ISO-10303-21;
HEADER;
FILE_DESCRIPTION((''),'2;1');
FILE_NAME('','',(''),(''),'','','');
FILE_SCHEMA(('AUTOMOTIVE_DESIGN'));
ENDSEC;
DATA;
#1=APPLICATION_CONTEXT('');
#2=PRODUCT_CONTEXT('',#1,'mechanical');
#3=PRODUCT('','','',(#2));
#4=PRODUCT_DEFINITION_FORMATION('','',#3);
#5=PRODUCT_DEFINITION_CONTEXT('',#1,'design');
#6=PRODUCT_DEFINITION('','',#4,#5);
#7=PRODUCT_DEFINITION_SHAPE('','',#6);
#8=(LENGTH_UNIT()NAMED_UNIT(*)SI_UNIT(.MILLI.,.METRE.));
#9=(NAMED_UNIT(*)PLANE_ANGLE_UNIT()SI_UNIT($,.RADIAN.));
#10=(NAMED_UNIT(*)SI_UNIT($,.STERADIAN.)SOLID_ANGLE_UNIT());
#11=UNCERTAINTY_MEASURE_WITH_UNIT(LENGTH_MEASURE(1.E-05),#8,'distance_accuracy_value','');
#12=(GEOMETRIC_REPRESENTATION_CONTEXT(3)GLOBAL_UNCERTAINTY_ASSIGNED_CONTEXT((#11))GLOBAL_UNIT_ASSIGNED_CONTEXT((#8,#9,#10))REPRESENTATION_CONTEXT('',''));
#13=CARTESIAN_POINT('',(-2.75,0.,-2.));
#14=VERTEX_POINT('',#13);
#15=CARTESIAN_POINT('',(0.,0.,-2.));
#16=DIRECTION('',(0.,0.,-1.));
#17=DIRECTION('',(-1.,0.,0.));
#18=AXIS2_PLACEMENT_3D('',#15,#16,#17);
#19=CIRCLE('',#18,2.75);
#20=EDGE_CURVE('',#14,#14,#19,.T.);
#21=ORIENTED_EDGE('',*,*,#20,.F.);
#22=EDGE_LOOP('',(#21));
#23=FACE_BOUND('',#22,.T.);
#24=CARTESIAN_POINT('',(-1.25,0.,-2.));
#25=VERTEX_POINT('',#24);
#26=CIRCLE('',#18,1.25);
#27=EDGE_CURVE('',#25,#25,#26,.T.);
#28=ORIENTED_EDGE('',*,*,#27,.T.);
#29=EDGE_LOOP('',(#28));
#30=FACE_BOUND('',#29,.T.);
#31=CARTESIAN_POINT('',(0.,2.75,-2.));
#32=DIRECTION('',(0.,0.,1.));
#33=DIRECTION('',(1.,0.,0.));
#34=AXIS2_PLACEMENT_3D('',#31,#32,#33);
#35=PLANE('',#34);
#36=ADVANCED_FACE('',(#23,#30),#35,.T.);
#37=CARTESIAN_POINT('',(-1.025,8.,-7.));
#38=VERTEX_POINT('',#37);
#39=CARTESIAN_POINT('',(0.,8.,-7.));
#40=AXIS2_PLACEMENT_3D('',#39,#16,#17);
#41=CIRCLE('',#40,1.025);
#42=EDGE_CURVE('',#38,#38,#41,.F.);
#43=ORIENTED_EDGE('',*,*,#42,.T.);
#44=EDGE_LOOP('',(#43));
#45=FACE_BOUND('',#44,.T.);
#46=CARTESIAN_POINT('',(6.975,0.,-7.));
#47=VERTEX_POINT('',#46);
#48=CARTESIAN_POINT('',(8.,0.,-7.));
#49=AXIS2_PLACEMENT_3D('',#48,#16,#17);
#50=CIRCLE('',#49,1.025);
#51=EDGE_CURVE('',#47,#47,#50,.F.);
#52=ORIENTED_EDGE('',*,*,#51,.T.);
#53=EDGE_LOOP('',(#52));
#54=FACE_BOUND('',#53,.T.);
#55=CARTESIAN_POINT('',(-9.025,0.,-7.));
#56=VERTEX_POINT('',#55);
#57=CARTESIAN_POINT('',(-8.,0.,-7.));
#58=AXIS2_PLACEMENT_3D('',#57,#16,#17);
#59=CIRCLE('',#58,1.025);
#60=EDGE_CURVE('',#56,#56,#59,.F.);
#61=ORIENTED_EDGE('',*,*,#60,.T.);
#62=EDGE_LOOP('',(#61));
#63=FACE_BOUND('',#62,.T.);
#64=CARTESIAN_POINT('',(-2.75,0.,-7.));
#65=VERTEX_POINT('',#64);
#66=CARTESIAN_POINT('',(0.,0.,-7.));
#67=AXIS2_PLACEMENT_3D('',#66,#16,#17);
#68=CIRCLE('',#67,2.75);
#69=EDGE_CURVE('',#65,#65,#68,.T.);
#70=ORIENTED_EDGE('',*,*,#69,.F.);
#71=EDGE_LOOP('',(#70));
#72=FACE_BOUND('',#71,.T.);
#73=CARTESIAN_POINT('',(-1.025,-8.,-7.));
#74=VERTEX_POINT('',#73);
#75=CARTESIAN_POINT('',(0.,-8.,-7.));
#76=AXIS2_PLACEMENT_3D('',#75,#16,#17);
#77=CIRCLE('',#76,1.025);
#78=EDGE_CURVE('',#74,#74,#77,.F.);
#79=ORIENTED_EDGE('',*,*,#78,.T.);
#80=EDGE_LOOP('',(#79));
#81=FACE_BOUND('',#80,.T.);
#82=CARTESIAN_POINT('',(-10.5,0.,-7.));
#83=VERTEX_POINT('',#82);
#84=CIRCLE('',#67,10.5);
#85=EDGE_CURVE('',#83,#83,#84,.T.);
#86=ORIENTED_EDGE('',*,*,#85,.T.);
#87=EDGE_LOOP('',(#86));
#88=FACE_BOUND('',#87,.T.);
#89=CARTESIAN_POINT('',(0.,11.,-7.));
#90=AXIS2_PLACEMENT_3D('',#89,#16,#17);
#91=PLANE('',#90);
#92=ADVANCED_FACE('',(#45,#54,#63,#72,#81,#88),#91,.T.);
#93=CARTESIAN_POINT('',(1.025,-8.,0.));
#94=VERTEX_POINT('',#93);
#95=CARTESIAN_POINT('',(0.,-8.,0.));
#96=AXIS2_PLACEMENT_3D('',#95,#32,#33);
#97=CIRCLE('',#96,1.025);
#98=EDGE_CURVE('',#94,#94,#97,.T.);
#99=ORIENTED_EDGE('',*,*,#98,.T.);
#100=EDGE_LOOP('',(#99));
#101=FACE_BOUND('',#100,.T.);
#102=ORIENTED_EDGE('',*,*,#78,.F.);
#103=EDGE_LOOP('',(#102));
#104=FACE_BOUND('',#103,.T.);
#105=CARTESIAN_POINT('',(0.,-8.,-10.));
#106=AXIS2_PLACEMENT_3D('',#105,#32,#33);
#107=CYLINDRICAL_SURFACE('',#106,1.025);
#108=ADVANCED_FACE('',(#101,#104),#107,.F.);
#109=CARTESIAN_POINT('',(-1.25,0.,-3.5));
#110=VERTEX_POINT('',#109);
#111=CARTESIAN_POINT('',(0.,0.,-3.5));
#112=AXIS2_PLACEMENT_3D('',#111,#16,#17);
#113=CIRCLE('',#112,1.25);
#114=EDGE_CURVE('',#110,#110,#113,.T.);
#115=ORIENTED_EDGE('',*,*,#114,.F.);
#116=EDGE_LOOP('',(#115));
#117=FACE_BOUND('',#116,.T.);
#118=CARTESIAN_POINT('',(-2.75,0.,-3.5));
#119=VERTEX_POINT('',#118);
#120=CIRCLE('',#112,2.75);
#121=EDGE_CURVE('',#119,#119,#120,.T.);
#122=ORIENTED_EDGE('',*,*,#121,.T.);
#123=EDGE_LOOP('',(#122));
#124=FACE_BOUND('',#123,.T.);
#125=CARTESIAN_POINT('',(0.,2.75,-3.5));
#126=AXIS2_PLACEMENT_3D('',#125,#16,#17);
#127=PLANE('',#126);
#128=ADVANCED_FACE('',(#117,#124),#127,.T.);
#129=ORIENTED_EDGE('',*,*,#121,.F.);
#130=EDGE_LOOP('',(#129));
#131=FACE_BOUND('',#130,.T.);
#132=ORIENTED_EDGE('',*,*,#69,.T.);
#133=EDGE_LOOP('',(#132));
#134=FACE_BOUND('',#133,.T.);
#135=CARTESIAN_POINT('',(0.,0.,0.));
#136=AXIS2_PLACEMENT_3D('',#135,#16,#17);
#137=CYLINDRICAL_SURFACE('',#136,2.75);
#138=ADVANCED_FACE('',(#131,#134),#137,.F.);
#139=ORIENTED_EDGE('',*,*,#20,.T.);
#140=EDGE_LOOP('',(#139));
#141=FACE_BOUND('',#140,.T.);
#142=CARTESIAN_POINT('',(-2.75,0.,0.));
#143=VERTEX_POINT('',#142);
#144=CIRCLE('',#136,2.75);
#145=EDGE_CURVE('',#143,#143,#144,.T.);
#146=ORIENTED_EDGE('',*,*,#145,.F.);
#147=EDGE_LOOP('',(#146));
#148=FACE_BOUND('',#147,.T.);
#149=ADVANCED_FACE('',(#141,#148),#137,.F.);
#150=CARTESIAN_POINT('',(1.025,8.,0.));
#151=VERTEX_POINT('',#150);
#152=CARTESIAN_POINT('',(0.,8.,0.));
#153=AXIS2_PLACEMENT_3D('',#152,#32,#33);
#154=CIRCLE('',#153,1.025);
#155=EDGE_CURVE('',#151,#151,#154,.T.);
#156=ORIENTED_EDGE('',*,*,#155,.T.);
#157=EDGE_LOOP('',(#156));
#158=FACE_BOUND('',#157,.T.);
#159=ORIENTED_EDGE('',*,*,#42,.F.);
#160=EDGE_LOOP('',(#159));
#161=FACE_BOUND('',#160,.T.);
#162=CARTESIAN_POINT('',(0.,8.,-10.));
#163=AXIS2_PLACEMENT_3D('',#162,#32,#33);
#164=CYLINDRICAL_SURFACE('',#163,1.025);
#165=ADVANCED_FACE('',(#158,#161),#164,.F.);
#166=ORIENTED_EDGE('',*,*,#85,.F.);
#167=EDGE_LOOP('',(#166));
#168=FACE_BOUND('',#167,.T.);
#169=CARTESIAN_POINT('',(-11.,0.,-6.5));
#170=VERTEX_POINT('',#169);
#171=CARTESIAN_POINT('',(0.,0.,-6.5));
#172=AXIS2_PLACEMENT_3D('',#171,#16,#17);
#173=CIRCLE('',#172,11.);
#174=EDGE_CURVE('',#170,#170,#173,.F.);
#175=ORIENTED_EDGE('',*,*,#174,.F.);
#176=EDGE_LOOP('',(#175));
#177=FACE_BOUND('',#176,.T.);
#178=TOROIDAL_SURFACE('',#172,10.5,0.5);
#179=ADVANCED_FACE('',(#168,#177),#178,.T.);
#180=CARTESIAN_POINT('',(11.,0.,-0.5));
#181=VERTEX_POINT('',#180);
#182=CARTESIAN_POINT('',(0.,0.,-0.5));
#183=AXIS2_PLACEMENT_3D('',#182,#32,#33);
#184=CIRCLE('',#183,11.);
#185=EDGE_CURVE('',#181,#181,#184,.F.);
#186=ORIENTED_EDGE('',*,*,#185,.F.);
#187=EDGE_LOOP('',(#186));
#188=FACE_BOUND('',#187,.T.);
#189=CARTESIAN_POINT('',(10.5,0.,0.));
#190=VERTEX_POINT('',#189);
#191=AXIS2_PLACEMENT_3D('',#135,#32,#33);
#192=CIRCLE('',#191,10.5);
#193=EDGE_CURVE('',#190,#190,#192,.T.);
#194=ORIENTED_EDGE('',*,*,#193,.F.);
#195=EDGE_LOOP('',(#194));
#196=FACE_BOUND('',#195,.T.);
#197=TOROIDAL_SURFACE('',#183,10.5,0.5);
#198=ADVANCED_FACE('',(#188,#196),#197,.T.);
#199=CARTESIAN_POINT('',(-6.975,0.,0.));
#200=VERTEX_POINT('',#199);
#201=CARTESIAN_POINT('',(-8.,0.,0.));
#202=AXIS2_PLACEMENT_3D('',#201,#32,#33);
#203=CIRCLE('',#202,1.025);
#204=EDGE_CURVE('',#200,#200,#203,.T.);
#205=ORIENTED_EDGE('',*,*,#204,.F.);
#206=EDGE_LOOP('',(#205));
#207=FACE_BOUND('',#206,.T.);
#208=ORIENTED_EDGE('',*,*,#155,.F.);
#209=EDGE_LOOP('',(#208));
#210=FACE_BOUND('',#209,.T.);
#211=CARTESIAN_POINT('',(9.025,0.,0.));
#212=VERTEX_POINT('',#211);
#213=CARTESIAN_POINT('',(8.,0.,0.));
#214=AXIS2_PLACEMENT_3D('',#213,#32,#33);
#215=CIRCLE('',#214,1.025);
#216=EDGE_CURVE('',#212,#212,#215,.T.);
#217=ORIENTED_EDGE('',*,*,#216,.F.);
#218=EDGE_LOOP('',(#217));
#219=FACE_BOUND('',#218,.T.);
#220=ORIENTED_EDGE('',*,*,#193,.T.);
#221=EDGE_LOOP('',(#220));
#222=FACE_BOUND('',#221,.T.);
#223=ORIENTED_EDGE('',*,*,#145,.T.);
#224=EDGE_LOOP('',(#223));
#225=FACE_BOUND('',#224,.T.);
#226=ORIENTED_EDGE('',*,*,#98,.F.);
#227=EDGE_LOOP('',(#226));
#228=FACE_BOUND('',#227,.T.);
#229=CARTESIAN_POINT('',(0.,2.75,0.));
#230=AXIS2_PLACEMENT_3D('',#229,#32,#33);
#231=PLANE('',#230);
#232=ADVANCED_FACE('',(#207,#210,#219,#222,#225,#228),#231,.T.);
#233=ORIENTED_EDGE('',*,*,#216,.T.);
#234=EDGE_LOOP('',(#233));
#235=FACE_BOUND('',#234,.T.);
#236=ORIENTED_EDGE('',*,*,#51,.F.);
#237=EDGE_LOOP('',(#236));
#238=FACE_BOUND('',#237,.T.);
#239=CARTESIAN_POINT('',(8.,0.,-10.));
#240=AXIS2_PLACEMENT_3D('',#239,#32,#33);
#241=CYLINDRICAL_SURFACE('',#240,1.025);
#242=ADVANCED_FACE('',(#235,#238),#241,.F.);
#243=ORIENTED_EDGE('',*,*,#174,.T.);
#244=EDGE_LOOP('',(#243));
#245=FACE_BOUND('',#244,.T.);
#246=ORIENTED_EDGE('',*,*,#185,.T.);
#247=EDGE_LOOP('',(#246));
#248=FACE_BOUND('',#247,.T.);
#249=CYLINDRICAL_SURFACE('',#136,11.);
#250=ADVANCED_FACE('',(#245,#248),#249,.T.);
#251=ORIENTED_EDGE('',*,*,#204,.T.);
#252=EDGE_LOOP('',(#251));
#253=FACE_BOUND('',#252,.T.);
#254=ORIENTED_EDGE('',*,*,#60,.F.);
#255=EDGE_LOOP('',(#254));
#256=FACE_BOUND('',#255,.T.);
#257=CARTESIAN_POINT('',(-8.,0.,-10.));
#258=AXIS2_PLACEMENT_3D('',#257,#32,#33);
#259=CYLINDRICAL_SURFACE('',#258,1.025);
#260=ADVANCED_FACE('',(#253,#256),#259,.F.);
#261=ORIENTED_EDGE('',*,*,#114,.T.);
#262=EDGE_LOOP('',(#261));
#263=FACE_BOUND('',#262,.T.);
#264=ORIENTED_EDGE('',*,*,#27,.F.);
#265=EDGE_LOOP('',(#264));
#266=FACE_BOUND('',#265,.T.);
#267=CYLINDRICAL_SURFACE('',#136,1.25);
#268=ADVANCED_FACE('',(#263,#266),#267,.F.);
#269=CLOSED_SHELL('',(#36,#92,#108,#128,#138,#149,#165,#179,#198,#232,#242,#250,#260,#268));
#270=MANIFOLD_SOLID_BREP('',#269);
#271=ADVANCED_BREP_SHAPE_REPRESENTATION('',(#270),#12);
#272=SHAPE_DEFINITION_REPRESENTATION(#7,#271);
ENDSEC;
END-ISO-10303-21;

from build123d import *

# Parameters (mm, degrees)
M2_TAPPED_HOLE1_AT_2_COUNT = 2
M2_TAPPED_HOLE1_AT_2_PITCH = 11.313708499
M2_TAPPED_HOLE1_AT_3_COUNT = 2
M2_TAPPED_HOLE1_AT_3_PITCH = 16
M2_TAPPED_HOLE1_AT_4_COUNT = 2
M2_TAPPED_HOLE1_AT_4_PITCH = 11.313708499
M2_TAPPED_HOLE1_AT_5_COUNT = 2
M2_TAPPED_HOLE1_AT_5_PITCH = 8
RADYUS1_R                  = 0.5
IZIM1_R                    = 1.025
KES_EKSTR_ZYON1_DEPTH      = 10


with BuildPart() as part:
    # Sketch1 → Revolve1 (revolve)
    with BuildSketch(Plane(origin=(0, 0, 0), x_dir=(0, 0, -1), z_dir=(1, 0, 0))):
        Polygon((3.5, 1.25), (2, 1.25), (2, 2.75), (0, 2.75), (0, 11), (7, 11), (7, 2.75), (3.5, 2.75), align=None)
    revolve(axis=Axis((0, 0, 0), (0, 0, 1)))

    # Sketch4 → M2 Tapped Hole1 (revolve, cut)
    with BuildSketch(Plane(origin=(0, 8, 0), x_dir=(0, -1, 0), z_dir=(1, 0, 0))):
        Polygon((0, 0), (0, 7), (1.025, 7), (0.8, 6.870096189), (0.8, 0.129903811), (1.025, 0), align=None)
    m2_tapped_hole1 = revolve(axis=Axis((0, 8, 6.35), (0, 0, -1)), mode=Mode.SUBTRACT)

    # M2 Tapped Hole1 at 2: M2 Tapped Hole1 ×2
    with Locations(*[Vector(0.707106781, -0.707106781, 0) * (i * M2_TAPPED_HOLE1_AT_2_PITCH) for i in range(1, M2_TAPPED_HOLE1_AT_2_COUNT)]):
        add(m2_tapped_hole1, mode=Mode.SUBTRACT)

    # M2 Tapped Hole1 at 3: M2 Tapped Hole1 ×2
    with Locations(*[(0, -i * M2_TAPPED_HOLE1_AT_3_PITCH, 0) for i in range(1, M2_TAPPED_HOLE1_AT_3_COUNT)]):
        add(m2_tapped_hole1, mode=Mode.SUBTRACT)

    # M2 Tapped Hole1 at 4: M2 Tapped Hole1 ×2
    with Locations(*[Vector(-0.707106781, -0.707106781, 0) * (i * M2_TAPPED_HOLE1_AT_4_PITCH) for i in range(1, M2_TAPPED_HOLE1_AT_4_COUNT)]):
        add(m2_tapped_hole1, mode=Mode.SUBTRACT)

    # M2 Tapped Hole1 at 5: M2 Tapped Hole1 ×2
    with Locations(*[(0, -i * M2_TAPPED_HOLE1_AT_5_PITCH, 0) for i in range(1, M2_TAPPED_HOLE1_AT_5_COUNT)]):
        add(m2_tapped_hole1, mode=Mode.SUBTRACT)

    # Radyus1
    radyus1_edges = [part.edges().sort_by_distance(p)[0] for p in [
        (0, -11, -7),
        (0, -11, 0),
    ]]
    fillet(radyus1_edges, radius=RADYUS1_R)

    # Çizim1 → Kes-Ekstrüzyon1 (cut)
    with BuildSketch(Plane.XY):
        with Locations((0, 8)):
            Circle(IZIM1_R)
        with Locations((-8, 0)):
            Circle(IZIM1_R)
        with Locations((8, 0)):
            Circle(IZIM1_R)
        with Locations((0, -8)):
            Circle(IZIM1_R)
    extrude(amount=-KES_EKSTR_ZYON1_DEPTH, mode=Mode.SUBTRACT)


solid = part.part
